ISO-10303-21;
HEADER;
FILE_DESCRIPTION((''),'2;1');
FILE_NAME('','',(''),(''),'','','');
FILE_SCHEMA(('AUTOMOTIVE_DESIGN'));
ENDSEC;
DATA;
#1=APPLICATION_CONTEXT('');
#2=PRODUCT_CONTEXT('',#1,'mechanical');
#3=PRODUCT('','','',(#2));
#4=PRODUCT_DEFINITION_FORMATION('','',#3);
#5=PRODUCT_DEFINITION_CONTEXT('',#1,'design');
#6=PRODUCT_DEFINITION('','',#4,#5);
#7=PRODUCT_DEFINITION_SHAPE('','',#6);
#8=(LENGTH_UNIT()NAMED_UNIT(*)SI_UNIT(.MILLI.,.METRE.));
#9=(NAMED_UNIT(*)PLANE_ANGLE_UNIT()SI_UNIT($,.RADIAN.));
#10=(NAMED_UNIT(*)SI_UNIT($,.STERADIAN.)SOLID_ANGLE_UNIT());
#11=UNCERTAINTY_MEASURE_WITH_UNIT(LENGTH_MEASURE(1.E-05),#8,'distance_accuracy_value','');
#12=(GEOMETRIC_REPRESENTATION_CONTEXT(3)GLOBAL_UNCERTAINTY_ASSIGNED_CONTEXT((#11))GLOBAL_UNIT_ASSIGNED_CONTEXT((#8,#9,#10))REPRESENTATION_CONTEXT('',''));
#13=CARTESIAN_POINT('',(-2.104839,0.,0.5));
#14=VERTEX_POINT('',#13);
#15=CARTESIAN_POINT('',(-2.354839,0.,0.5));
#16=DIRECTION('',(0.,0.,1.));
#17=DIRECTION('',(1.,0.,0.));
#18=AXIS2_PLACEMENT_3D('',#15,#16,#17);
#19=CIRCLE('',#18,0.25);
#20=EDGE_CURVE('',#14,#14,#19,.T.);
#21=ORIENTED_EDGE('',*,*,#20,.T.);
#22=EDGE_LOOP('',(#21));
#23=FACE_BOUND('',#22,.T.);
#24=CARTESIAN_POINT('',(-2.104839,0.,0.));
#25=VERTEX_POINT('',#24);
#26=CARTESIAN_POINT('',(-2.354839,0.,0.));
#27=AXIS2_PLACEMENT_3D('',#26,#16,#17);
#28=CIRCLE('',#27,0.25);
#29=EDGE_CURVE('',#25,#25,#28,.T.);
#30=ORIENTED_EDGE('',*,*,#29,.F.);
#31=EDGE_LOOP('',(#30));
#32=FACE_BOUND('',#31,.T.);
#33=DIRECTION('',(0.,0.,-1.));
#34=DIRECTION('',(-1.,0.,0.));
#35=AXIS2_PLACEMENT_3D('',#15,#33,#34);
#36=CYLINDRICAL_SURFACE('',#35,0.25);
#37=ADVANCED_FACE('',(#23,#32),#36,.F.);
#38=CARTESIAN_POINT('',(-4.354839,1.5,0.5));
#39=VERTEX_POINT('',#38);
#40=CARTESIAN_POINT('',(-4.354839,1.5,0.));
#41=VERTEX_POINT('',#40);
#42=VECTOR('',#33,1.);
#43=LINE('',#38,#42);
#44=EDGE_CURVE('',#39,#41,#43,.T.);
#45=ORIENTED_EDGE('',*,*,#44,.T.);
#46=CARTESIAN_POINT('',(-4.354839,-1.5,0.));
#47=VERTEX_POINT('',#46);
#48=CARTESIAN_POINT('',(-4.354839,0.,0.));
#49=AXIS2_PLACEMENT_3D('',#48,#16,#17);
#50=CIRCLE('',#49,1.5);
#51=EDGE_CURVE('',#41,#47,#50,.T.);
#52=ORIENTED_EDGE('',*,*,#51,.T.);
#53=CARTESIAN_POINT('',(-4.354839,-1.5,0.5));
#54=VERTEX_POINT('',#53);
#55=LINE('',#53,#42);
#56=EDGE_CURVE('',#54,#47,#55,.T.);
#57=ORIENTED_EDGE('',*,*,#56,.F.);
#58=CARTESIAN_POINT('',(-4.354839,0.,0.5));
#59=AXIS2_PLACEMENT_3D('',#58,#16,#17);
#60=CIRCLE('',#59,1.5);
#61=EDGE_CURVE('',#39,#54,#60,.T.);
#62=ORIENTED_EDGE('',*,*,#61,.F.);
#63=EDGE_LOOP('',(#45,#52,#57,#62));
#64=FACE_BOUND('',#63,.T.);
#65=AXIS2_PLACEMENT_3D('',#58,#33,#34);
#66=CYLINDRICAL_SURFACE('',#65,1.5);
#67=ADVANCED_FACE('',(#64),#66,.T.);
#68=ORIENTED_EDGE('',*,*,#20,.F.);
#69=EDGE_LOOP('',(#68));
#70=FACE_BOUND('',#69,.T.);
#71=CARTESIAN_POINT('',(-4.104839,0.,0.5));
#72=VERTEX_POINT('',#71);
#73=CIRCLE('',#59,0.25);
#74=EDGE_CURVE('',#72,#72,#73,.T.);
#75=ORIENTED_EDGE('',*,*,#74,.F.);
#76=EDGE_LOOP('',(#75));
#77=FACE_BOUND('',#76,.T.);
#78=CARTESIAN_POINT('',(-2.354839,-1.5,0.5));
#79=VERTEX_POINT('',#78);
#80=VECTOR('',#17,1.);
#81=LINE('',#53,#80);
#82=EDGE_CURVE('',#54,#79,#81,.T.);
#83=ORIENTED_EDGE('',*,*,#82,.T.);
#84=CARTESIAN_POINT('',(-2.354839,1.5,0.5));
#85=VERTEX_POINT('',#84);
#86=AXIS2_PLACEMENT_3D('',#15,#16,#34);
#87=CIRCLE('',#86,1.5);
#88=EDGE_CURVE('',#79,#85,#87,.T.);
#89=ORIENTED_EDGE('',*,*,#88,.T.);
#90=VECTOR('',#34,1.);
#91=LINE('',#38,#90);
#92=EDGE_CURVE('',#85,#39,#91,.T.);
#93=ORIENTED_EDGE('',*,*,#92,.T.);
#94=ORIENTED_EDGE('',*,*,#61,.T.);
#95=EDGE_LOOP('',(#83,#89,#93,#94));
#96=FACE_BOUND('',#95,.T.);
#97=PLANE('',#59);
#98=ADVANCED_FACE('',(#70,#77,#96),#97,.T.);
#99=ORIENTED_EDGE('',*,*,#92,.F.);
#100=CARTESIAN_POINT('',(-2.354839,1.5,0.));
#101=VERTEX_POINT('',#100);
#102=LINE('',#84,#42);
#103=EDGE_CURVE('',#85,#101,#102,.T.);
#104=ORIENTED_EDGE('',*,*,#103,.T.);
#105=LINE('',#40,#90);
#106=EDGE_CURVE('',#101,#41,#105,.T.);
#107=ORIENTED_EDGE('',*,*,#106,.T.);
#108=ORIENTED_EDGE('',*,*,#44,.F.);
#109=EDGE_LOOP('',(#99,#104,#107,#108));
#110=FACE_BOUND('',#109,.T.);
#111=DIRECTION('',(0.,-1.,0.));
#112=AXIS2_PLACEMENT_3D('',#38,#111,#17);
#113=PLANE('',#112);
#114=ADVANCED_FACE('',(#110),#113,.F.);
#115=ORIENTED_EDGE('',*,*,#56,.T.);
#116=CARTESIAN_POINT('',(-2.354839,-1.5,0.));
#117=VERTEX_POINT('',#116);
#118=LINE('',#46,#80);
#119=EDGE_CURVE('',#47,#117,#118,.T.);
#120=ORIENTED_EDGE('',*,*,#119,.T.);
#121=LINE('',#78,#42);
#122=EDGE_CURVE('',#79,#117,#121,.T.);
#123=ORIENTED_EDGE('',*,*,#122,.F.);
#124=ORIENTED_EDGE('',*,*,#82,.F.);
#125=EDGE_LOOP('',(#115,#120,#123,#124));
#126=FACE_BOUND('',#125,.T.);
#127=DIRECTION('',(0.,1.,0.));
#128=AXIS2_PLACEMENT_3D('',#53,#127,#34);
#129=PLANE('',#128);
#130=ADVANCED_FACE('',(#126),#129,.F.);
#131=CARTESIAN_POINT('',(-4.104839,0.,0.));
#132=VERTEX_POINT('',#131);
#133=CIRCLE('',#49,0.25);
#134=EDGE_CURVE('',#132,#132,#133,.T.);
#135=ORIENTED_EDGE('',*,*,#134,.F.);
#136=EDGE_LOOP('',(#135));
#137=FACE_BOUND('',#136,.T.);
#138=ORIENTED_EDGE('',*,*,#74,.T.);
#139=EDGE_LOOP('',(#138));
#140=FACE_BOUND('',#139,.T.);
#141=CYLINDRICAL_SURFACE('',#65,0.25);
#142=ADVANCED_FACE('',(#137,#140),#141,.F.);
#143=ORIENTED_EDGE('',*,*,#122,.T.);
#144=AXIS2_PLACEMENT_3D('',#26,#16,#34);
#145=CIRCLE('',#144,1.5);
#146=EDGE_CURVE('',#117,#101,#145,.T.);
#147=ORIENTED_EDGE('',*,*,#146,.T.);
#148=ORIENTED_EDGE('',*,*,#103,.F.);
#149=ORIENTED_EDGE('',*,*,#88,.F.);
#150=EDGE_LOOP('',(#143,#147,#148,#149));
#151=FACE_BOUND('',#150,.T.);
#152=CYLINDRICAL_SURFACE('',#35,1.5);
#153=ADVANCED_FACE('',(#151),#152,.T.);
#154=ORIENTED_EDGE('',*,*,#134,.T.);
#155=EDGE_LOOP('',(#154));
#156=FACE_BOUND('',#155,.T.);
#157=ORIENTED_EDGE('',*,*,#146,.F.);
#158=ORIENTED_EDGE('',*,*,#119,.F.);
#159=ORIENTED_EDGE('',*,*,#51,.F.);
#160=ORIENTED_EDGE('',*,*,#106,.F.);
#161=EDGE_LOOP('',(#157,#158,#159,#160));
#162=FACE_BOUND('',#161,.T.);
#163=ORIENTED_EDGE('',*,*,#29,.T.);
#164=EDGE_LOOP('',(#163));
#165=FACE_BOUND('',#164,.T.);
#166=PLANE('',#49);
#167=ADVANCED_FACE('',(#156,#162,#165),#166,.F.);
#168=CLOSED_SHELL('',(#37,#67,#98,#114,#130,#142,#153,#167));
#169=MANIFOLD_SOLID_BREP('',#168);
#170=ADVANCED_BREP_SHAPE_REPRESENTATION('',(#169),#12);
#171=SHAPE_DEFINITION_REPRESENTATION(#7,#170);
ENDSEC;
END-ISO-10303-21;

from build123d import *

# Parameters (mm, degrees)
SKETCH1_R           = 0.25
BOSS_EXTRUDE1_DEPTH = 0.5


with BuildPart() as part:
    # Sketch1 → Boss-Extrude1 (new body)
    with BuildSketch(Plane.XY):
        with BuildLine():
            Line((-4.35483871, 1.5), (-2.35483871, 1.5))
            ThreePointArc((-2.35483871, 1.5), (-0.85483871, 0), (-2.35483871, -1.5))
            Line((-2.35483871, -1.5), (-4.35483871, -1.5))
            ThreePointArc((-4.35483871, -1.5), (-5.85483871, 0), (-4.35483871, 1.5))
        make_face()
        with Locations((-4.35483871, 0)):
            Circle(SKETCH1_R, mode=Mode.SUBTRACT)
        with Locations((-2.35483871, 0)):
            Circle(SKETCH1_R, mode=Mode.SUBTRACT)
    extrude(amount=BOSS_EXTRUDE1_DEPTH)


solid = part.part
